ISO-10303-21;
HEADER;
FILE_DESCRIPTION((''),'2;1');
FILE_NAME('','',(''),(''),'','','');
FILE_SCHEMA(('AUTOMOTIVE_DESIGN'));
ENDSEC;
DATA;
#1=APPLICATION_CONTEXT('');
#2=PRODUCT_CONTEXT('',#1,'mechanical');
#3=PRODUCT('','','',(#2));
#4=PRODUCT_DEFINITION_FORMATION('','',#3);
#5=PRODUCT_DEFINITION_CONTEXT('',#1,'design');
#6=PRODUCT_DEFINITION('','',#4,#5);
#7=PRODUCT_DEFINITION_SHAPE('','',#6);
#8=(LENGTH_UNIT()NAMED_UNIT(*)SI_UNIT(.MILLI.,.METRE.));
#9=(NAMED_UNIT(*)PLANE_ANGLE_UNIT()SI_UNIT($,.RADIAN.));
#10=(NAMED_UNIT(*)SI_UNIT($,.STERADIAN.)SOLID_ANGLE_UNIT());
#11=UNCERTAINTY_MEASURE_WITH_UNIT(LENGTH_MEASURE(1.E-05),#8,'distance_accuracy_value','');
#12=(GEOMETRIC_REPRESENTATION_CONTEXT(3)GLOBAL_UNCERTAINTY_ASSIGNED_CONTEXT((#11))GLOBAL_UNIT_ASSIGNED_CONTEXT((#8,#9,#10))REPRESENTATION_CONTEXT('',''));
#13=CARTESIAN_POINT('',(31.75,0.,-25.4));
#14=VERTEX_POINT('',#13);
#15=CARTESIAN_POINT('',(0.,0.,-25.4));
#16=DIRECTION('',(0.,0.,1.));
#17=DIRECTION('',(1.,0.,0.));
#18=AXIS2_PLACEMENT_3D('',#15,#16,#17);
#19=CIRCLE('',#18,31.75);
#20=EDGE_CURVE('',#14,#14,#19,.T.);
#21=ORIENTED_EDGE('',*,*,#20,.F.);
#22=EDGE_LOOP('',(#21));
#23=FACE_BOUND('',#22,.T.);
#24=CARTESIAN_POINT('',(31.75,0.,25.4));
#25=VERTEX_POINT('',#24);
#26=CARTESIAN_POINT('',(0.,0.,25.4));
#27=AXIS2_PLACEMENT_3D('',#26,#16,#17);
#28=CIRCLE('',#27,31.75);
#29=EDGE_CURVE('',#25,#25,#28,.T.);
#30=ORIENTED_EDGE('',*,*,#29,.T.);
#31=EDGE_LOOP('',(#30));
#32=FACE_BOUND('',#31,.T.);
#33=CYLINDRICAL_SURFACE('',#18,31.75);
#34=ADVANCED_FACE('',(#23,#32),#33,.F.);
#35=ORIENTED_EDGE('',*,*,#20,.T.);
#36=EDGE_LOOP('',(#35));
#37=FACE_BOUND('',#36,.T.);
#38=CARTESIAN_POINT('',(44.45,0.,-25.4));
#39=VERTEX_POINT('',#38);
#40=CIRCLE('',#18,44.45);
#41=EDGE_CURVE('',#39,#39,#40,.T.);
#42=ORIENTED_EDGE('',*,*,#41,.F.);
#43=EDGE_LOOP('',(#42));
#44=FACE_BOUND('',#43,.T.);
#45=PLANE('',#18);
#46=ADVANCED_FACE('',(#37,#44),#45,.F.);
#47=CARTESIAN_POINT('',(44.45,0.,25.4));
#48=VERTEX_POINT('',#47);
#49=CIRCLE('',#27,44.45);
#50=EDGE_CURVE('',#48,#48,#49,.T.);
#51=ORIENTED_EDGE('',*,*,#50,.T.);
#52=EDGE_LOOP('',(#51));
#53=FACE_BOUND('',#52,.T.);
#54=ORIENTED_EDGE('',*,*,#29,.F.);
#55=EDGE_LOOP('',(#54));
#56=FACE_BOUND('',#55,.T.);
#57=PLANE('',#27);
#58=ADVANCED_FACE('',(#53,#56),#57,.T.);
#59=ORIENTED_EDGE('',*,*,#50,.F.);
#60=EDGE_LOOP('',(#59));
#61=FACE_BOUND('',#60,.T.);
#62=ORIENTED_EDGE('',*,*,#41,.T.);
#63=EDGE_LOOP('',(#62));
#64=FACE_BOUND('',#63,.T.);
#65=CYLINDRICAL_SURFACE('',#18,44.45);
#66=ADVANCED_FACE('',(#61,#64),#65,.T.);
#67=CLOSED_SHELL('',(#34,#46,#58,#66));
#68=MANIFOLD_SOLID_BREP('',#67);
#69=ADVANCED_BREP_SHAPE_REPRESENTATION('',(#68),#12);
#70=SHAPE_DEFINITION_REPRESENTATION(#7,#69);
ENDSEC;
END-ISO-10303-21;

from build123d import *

# Parameters (mm, degrees)
BOSS_EXTRUDE1_START = 25.4
SKETCH1_R           = 44.45
SKETCH1_R_2         = 31.75
BOSS_EXTRUDE1_DEPTH = 50.8


with BuildPart() as part:
    # Sketch1 → Boss-Extrude1 (new body)
    with BuildSketch(Plane.XY.offset(BOSS_EXTRUDE1_START)):
        Circle(SKETCH1_R)
        Circle(SKETCH1_R_2, mode=Mode.SUBTRACT)
    extrude(amount=-BOSS_EXTRUDE1_DEPTH)


solid = part.part
